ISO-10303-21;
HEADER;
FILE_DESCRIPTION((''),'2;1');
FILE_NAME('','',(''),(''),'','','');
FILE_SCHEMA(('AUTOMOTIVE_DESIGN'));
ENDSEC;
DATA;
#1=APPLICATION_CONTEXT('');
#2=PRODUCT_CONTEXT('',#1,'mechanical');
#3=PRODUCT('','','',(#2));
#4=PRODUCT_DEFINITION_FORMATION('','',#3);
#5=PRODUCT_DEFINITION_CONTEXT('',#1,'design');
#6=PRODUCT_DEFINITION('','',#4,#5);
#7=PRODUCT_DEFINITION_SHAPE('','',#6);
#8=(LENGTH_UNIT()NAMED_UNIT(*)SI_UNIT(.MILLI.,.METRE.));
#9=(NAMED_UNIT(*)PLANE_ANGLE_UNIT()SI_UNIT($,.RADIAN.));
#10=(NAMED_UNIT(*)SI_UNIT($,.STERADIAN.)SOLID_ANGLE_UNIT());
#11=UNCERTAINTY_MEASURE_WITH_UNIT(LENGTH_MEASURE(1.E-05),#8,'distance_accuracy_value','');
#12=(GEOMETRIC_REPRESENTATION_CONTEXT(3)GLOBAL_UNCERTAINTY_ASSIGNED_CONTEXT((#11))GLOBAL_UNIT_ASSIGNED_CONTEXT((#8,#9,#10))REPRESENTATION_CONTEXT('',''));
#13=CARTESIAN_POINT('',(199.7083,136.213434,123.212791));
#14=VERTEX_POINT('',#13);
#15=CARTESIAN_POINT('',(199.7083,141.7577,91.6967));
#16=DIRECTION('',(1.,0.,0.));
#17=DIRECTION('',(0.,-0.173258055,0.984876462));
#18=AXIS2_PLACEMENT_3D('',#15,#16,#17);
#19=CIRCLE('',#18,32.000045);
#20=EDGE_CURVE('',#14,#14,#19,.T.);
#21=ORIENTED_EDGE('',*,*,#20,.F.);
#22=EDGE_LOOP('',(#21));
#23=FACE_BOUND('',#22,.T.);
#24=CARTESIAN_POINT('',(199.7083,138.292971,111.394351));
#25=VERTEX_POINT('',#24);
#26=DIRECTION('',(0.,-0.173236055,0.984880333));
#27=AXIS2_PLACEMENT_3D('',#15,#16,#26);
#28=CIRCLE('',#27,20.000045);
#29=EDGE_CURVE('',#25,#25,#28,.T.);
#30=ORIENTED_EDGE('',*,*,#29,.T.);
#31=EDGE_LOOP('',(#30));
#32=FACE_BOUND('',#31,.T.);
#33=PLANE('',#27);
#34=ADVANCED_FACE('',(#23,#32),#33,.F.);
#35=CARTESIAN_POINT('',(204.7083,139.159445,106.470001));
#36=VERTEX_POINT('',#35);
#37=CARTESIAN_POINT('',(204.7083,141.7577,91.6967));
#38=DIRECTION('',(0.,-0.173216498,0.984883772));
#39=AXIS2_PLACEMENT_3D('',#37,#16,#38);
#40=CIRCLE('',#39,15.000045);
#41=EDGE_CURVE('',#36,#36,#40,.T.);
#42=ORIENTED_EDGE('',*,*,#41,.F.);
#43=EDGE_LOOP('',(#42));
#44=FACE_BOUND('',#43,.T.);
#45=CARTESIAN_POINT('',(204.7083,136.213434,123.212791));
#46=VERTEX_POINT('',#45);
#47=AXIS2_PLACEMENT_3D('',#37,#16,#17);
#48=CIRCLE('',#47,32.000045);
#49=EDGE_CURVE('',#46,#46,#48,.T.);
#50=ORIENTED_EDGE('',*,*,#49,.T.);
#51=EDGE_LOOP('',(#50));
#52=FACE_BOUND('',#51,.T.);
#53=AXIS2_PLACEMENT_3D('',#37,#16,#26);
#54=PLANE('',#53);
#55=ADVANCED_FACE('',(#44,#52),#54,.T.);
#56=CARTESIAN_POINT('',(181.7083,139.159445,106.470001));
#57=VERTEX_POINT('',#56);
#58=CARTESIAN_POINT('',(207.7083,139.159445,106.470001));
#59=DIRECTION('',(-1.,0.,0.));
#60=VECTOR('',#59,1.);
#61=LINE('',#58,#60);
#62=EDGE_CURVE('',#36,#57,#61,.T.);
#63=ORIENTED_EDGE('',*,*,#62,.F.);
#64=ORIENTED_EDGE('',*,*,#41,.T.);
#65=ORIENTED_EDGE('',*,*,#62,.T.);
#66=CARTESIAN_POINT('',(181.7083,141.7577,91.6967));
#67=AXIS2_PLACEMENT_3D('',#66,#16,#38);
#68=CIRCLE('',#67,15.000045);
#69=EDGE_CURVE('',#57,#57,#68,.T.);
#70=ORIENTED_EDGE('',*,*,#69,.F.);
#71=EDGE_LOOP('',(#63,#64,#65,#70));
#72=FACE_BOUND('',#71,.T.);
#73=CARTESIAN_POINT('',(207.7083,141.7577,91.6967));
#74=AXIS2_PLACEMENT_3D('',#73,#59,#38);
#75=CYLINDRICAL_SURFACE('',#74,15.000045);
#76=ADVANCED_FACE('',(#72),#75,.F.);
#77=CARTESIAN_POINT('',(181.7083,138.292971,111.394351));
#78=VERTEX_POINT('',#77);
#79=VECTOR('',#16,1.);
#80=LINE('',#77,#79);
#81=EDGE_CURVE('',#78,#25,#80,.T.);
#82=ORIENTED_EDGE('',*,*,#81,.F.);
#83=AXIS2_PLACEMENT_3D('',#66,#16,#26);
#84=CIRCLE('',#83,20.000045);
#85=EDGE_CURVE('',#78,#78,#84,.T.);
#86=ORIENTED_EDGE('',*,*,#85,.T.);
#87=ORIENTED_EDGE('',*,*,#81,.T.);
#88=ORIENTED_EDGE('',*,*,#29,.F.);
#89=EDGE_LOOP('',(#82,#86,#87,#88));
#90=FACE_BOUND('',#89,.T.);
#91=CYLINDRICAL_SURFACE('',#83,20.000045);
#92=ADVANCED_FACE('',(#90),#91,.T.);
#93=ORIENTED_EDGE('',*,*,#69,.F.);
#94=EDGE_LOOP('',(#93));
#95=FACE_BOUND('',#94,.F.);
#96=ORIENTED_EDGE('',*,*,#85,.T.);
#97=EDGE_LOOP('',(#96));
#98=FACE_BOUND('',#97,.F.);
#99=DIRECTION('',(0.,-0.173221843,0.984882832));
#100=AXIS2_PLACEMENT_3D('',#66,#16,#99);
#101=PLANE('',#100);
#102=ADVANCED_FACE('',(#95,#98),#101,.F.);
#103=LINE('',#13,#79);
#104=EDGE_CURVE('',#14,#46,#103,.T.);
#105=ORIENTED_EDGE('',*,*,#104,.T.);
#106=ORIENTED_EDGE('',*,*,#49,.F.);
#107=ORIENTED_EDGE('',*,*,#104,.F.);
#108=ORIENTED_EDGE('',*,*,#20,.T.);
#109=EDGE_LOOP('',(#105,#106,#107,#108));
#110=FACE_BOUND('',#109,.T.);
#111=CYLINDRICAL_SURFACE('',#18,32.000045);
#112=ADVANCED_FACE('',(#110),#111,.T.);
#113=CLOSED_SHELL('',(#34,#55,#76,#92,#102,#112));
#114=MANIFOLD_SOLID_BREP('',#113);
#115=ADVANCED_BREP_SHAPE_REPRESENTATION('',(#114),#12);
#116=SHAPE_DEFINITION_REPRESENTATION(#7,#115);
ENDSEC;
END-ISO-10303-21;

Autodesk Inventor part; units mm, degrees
ref_plane "YZ Plane" through (0, 0, 0) normal (1, 0, 0) x (0, 1, 0)
ref_plane "XZ Plane" through (0, 0, 0) normal (0, 1, 0) x (-1, 0, 0)
ref_plane "XY Plane" through (0, 0, 0) normal (0, 0, 1) x (1, 0, 0)
ref_plane "工作平面1" through (135.5371, 153.7824, 23.3647) normal (0, 0.9849, 0.1733) x (-1, 0, 0)
sketch "草图1" plane through (135.5371, 153.7824, 23.3647) normal (0, 0.9849, 0.1733) x (-1, 0, 0)
  line L0 (-46.1712, 85.482) -> (-46.1712, 53.282) projected
  line L1 (-46.1712, 47.032) -> (-46.1712, 91.732) projected
  line L2 (-72.1712, 92.382) -> (-72.1712, 46.382) projected
  line L3 (-72.1712, 54.382) -> (-72.1712, 84.382) projected
  line L4 (-72.1712, 84.382) -> (-46.1712, 84.382)
  line L5 (-46.1712, 84.382) -> (-46.1712, 89.382)
  line L6 (-46.1712, 89.382) -> (-69.1712, 89.382)
  line L7 (-69.1712, 89.382) -> (-69.1712, 84.382)
  line L8 (-46.1712, 69.382) -> (-72.1712, 69.382)
  line L9 (-69.1712, 43.382) -> (-69.1712, 95.382) projected
  line L10 (-69.1712, 89.382) -> (-64.1712, 89.382)
  line L11 (-64.1712, 89.382) -> (-64.1712, 101.382)
  line L12 (-64.1712, 101.382) -> (-69.1712, 101.382)
  line L13 (-69.1712, 101.382) -> (-69.1712, 89.382)
  point P0 (135.5371, 3.6411)
  point P1 (-71.1712, 89.382)
  point P2 (-69.1712, 69.382)
  dimension "d0" = 20
  dimension "d2" = 5
  dimension "d3" = 12
revolve "旋转1" add sketch "草图1" angle 360 about axis through (181.7084, 141.7577, 91.6967) along (1, 0, 0) contours L0 L4 L7 L6 L1 | L6 L9 L13 L12 L11
properties part number "中间轴套筒" material "钢，软"
